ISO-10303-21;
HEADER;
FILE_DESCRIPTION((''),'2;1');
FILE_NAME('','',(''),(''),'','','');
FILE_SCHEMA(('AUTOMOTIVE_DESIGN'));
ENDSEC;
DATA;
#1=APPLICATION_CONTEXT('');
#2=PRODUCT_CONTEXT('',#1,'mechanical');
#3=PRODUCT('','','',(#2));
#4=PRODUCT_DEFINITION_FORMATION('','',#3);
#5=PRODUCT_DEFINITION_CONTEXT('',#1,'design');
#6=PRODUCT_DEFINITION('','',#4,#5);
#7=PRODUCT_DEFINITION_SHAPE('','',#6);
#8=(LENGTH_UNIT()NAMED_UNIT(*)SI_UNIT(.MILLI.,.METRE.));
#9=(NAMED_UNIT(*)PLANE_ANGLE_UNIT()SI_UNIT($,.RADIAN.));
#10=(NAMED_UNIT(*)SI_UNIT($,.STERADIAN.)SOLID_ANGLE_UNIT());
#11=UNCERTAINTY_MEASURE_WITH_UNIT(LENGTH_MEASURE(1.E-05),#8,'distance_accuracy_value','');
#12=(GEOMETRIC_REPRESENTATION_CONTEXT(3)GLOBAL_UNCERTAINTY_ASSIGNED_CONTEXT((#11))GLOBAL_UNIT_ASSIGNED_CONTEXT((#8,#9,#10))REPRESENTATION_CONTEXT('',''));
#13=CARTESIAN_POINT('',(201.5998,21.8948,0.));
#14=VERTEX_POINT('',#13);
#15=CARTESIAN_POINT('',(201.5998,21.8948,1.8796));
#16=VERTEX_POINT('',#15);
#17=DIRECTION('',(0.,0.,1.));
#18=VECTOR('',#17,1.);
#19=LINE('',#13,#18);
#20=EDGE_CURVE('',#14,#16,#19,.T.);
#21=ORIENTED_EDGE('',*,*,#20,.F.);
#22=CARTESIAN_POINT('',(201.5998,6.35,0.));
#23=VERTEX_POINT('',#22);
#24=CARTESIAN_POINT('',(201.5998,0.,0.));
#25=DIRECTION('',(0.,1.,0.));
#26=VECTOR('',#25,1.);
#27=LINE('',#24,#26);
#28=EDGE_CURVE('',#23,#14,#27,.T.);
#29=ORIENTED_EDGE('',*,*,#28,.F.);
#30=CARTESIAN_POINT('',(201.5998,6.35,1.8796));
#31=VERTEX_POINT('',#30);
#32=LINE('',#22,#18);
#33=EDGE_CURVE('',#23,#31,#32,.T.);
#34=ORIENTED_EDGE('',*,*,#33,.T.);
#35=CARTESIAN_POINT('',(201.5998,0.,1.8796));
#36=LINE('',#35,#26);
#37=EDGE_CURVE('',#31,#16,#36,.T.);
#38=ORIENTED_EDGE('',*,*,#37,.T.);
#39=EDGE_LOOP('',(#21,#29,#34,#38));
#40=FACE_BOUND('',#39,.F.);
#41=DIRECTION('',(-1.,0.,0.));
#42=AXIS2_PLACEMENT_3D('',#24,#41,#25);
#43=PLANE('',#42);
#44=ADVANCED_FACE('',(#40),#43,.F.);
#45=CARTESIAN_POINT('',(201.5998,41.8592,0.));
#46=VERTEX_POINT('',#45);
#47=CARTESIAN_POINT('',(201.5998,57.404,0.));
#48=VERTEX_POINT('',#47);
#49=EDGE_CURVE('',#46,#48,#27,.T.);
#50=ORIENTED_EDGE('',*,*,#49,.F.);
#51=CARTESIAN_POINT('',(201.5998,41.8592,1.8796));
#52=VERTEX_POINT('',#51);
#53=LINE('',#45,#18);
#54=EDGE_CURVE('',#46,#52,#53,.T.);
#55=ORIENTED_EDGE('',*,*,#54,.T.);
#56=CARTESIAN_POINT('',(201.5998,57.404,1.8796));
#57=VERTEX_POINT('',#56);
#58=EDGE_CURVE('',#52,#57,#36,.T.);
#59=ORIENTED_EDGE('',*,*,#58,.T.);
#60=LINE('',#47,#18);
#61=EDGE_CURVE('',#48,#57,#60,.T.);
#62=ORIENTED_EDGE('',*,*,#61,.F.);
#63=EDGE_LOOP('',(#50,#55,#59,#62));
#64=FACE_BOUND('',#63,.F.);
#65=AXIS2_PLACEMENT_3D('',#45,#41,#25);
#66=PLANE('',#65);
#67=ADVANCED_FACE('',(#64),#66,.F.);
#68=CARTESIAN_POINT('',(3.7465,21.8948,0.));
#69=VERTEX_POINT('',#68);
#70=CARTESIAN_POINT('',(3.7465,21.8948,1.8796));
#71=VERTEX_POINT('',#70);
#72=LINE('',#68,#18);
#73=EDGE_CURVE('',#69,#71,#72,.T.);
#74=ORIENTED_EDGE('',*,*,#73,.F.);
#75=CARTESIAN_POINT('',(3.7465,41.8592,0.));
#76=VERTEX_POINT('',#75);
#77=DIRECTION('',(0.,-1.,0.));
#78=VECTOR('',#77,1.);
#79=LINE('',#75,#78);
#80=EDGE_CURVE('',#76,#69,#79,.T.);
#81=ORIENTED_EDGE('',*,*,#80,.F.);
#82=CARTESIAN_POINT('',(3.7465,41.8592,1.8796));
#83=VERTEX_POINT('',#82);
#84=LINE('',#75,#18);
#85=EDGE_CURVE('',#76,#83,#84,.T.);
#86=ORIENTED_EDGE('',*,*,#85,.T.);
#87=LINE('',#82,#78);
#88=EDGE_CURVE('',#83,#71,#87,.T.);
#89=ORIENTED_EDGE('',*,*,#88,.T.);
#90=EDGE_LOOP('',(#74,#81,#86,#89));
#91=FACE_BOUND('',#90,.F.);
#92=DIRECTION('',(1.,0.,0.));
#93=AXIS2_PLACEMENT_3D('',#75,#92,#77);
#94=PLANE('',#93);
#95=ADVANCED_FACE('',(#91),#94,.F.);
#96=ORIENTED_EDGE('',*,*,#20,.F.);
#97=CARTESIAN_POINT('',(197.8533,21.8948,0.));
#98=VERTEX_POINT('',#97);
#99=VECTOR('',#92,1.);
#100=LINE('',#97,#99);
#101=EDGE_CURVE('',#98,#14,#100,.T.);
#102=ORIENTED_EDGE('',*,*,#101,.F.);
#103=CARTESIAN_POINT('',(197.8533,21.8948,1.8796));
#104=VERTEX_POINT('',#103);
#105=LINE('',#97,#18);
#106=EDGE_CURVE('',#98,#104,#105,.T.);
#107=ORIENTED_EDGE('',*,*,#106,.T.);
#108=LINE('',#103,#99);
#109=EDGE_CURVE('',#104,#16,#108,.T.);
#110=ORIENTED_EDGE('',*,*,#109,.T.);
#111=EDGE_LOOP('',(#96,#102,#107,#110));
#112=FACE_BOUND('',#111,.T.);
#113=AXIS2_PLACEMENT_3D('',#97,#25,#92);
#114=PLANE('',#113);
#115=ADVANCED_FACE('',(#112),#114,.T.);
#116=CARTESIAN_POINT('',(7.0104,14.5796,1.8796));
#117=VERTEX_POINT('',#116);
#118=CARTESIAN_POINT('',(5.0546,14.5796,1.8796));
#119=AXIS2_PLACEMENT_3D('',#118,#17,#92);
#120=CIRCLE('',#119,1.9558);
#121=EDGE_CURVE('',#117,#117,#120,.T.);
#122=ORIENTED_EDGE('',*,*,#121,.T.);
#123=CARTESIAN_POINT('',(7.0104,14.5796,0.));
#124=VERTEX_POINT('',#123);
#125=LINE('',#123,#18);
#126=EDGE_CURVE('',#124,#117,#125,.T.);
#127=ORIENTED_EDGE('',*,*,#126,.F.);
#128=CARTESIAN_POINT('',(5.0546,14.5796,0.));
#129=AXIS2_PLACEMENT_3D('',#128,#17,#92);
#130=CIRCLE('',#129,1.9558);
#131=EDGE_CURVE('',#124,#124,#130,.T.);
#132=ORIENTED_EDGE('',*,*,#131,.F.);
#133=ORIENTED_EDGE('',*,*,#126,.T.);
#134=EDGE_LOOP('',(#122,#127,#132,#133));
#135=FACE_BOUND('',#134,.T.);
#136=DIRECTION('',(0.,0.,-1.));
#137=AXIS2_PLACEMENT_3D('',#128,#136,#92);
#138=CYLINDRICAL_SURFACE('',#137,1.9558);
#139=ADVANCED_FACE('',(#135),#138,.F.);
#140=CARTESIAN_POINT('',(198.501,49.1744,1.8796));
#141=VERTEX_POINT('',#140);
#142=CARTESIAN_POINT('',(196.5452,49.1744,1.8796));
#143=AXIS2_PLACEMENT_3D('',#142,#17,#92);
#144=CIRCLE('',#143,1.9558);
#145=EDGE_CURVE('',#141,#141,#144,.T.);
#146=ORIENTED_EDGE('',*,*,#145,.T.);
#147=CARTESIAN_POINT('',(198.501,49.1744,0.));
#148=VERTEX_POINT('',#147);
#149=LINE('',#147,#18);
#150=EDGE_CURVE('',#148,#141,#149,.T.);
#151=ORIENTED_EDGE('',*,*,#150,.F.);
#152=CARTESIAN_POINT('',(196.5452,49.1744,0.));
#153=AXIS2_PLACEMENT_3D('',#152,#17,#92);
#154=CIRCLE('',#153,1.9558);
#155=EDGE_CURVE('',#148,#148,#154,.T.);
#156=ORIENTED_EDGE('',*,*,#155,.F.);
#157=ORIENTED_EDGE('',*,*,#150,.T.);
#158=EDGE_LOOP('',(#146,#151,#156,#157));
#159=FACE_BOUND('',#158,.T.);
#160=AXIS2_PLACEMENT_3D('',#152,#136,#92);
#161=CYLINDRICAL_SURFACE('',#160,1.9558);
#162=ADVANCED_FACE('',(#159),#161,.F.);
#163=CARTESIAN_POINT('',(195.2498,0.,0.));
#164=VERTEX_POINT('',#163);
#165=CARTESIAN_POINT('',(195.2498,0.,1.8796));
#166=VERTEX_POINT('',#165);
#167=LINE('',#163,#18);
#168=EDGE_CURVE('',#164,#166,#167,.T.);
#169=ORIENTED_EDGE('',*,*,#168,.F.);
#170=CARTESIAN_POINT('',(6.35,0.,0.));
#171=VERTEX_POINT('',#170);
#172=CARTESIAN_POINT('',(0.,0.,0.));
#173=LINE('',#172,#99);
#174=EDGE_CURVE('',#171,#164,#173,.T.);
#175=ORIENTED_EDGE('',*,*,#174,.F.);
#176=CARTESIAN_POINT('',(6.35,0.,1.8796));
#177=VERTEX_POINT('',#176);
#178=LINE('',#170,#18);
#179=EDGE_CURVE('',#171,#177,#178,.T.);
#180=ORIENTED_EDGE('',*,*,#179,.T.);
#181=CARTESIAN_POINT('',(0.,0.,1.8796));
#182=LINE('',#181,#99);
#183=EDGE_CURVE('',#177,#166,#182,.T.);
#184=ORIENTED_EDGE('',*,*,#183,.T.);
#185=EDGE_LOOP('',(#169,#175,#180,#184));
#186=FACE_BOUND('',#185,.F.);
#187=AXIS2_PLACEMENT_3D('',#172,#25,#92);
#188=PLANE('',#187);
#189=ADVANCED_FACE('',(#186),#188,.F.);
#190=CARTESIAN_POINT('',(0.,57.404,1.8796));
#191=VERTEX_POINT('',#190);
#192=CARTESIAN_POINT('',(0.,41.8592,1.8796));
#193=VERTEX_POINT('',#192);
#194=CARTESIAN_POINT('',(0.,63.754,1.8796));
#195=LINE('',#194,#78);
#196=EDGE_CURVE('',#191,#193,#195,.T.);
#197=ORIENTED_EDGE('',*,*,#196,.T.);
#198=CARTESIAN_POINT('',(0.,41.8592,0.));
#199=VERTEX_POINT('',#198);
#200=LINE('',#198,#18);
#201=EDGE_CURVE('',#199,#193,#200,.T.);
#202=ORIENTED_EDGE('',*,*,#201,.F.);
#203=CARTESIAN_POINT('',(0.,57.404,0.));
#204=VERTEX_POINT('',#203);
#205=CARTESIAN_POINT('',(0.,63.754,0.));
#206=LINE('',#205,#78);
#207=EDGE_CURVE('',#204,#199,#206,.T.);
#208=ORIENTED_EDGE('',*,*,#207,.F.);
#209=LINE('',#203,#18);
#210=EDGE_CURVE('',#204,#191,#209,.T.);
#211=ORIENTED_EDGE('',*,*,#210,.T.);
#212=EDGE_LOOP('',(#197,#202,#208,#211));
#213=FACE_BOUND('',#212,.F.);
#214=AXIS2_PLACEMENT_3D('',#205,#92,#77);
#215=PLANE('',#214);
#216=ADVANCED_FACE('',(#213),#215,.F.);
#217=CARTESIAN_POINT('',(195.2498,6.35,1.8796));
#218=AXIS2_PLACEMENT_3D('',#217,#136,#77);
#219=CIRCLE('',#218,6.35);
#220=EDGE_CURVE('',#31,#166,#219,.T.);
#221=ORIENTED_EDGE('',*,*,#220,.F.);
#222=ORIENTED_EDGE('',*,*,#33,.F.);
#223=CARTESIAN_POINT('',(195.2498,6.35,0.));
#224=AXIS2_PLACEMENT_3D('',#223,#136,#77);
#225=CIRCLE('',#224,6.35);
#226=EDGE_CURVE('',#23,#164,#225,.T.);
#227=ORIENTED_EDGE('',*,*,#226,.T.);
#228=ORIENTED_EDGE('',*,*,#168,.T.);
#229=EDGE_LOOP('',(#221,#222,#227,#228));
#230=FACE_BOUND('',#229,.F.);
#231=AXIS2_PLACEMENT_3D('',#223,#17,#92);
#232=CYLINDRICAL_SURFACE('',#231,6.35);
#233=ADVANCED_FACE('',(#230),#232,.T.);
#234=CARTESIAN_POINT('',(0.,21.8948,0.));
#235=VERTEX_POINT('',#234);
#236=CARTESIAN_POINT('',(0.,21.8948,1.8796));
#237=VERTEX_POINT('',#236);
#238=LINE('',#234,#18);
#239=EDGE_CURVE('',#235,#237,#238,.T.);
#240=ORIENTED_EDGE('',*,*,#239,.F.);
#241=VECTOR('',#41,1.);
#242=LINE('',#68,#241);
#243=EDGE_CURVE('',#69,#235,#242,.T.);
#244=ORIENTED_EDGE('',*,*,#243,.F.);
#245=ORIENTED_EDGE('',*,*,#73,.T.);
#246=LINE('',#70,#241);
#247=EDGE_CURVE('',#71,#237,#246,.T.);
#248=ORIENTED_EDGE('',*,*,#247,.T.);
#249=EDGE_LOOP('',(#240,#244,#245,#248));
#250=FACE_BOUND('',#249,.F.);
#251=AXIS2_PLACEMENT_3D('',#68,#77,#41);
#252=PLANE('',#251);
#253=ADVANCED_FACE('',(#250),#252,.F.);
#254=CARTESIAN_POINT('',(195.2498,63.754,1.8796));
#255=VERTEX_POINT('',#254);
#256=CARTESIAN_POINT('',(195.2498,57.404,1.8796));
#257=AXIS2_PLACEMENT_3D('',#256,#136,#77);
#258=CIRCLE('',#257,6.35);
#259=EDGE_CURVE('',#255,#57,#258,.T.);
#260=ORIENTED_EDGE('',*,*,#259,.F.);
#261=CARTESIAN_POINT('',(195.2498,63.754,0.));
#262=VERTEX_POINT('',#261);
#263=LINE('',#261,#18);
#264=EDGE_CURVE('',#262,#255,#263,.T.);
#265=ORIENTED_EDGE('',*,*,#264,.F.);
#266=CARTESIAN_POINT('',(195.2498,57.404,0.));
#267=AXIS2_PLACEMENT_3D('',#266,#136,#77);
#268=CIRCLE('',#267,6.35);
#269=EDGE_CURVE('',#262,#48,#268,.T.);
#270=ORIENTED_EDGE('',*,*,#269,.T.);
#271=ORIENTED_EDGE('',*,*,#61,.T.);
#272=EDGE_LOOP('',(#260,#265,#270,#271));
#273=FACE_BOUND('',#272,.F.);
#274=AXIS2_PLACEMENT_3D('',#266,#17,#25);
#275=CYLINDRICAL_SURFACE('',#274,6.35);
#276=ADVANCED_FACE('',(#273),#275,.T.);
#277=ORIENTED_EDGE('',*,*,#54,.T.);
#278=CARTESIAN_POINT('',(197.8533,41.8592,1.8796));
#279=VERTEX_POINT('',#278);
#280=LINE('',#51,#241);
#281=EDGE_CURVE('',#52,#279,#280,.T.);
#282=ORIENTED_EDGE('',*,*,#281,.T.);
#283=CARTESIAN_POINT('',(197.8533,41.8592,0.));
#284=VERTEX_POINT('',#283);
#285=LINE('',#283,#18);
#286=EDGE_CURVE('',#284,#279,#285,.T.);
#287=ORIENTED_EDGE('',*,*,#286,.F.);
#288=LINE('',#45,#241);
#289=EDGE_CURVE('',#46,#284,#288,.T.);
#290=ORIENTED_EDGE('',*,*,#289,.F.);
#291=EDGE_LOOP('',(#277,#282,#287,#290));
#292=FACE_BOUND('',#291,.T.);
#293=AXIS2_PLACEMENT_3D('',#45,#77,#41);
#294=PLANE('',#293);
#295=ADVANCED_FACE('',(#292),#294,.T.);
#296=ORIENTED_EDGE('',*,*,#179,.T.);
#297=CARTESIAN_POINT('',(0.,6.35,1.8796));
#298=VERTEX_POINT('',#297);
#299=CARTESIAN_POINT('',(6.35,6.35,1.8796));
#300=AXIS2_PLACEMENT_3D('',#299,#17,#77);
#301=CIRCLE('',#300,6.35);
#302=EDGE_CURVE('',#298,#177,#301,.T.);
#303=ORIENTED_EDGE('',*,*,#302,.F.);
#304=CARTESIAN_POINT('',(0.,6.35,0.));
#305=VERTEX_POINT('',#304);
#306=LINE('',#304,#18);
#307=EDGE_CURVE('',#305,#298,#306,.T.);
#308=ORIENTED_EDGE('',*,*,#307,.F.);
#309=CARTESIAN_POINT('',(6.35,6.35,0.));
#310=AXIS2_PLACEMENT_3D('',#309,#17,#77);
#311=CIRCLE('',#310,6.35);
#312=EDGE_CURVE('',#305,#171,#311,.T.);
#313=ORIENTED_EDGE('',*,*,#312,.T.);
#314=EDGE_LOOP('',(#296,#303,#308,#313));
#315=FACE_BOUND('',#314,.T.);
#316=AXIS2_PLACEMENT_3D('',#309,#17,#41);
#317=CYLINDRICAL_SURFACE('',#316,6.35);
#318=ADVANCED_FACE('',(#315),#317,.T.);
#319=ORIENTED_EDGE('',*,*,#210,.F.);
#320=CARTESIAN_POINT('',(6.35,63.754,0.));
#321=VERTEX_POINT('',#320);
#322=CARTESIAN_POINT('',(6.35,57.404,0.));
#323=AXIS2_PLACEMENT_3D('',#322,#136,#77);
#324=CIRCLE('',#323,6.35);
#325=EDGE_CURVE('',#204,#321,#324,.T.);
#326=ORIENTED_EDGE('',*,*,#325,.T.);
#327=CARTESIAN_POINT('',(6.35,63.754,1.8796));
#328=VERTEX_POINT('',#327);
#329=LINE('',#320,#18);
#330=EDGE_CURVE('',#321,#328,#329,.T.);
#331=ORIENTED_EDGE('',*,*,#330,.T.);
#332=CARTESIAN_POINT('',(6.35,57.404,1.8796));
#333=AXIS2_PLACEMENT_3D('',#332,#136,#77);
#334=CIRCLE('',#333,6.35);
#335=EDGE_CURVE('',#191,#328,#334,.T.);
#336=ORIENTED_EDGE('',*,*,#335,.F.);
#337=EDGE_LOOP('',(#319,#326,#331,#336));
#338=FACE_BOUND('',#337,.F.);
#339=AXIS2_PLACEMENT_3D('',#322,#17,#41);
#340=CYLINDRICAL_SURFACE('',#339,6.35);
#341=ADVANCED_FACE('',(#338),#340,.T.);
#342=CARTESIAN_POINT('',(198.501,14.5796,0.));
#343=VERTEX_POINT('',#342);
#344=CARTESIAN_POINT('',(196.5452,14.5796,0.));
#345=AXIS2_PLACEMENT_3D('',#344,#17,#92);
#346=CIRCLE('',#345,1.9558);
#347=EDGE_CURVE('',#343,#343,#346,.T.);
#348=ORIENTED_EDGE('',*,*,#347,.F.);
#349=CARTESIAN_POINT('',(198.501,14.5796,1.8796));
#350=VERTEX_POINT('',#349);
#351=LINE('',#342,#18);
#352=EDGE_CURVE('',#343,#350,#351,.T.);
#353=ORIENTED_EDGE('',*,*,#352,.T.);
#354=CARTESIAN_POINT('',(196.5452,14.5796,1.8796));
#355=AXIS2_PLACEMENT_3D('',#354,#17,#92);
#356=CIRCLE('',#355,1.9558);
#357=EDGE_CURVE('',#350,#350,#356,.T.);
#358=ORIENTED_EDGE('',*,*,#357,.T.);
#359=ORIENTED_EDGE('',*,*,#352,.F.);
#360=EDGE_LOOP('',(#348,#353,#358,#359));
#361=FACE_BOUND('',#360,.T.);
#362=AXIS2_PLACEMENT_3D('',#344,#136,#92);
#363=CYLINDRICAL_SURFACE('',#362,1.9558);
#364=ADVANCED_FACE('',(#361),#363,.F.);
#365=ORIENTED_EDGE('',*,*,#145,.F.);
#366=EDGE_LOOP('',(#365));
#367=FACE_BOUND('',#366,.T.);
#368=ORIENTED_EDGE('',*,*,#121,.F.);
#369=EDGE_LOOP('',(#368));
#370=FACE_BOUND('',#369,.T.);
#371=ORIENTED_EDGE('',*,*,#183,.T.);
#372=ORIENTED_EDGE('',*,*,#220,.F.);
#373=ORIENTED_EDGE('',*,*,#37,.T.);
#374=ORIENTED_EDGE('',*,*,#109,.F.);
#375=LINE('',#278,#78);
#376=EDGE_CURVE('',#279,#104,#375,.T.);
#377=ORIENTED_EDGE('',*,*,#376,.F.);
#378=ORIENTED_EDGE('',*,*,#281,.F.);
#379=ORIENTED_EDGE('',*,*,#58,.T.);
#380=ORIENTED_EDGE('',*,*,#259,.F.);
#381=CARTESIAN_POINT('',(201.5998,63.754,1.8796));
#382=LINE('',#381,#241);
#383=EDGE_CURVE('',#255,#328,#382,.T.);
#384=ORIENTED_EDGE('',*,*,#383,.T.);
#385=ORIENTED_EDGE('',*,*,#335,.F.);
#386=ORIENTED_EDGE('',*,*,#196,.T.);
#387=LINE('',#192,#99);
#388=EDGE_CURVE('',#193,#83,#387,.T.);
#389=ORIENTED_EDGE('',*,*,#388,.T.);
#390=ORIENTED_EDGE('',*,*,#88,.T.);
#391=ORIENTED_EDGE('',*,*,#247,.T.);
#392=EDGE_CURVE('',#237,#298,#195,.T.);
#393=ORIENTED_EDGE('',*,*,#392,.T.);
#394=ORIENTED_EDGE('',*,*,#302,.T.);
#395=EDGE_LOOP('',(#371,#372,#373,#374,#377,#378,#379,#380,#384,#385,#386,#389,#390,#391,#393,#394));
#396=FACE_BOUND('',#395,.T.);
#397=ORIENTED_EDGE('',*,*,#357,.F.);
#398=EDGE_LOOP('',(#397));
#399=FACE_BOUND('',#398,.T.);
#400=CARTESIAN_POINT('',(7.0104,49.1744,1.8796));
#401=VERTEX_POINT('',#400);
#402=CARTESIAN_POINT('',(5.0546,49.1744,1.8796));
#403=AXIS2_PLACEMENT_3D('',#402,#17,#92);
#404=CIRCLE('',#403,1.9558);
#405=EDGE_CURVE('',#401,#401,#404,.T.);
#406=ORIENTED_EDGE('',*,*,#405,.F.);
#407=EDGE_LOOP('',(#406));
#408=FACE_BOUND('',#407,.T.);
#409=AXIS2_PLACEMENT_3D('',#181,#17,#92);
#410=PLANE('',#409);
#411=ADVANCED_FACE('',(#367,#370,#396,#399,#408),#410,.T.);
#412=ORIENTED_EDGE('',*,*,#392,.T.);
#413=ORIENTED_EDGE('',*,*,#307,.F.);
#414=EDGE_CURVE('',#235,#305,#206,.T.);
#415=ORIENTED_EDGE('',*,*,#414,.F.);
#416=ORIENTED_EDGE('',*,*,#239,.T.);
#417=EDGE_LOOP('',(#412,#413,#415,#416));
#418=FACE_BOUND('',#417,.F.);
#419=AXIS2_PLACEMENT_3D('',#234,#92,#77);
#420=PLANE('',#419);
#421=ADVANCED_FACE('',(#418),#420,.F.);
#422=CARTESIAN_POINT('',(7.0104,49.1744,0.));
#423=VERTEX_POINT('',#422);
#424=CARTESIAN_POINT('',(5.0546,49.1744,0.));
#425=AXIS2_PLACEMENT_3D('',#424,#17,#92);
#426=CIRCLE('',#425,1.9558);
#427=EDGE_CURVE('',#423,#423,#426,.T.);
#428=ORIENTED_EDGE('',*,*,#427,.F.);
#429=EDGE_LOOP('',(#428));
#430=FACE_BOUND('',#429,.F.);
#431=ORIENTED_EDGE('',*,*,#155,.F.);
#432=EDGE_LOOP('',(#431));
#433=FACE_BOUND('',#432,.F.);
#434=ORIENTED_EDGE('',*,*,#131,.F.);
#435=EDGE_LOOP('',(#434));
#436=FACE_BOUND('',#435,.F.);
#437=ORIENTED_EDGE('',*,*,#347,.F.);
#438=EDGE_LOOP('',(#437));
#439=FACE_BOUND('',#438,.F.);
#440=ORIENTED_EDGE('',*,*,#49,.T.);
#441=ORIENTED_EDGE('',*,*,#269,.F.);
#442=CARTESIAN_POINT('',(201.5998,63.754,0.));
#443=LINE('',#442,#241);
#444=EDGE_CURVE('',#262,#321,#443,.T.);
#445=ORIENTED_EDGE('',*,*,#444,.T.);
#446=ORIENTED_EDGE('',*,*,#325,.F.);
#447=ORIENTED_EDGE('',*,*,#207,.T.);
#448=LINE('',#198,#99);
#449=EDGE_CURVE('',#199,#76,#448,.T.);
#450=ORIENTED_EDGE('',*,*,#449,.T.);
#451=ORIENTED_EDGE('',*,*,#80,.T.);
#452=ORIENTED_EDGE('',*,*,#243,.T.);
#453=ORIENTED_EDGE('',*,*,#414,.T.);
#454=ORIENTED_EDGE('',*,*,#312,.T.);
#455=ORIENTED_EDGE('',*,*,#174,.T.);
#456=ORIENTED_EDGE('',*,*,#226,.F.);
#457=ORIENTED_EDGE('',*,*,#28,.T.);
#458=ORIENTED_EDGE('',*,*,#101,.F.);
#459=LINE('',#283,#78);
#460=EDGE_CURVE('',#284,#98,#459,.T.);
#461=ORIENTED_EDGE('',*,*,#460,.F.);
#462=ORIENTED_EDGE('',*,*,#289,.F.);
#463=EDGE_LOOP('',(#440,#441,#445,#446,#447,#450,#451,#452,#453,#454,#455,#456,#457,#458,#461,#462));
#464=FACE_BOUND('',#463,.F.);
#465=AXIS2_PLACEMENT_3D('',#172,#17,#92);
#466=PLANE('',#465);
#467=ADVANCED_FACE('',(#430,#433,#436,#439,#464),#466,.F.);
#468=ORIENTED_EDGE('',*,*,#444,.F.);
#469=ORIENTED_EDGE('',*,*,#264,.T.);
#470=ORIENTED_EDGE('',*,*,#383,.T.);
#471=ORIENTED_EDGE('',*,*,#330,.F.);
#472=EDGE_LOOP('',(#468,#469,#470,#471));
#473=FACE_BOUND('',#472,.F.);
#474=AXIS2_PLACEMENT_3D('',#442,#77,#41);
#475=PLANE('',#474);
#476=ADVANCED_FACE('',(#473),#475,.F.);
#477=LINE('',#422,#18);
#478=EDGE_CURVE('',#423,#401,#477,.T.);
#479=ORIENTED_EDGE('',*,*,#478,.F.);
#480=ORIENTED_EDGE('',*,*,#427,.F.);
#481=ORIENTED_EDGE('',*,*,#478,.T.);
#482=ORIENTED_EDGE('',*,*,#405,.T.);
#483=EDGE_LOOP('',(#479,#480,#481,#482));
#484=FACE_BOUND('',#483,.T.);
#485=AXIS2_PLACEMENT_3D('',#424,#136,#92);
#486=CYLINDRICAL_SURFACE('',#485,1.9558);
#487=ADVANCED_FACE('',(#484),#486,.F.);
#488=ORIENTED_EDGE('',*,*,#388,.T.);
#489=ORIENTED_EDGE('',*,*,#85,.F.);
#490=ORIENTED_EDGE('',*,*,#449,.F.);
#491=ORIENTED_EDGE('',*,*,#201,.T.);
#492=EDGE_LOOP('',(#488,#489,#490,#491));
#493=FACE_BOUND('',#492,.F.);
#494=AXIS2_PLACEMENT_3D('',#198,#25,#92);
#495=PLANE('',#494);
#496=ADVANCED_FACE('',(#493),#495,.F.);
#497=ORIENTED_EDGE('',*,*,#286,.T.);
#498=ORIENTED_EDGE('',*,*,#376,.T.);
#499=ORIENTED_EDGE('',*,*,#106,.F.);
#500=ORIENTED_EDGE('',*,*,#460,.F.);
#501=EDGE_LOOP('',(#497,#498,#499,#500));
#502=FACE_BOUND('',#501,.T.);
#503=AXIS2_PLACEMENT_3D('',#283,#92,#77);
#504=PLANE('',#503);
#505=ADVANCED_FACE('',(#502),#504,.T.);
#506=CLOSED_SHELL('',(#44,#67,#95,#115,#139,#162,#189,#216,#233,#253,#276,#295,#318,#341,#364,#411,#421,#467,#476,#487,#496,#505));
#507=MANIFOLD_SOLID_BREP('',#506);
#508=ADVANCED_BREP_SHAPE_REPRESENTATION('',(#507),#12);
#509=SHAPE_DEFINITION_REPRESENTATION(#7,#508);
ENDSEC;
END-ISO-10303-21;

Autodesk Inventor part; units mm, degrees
ref_plane "YZ Plane" through (0, 0, 0) normal (1, 0, 0) x (0, 1, 0)
ref_plane "XZ Plane" through (0, 0, 0) normal (0, 1, 0) x (-1, 0, 0)
ref_plane "XY Plane" through (0, 0, 0) normal (0, 0, 1) x (1, 0, 0)
sketch "Sketch1" plane through (0, 0, 0) normal (0, 0, 1) x (1, 0, 0)
  line L0 (0, 0) -> (201.5998, 0)
  line L1 (201.5998, 0) -> (201.5998, 63.754)
  line L2 (201.5998, 63.754) -> (0, 63.754)
  line L3 (0, 63.754) -> (0, 0)
  line L4 (0, 41.8592) -> (3.7465, 41.8592)
  line L5 (3.7465, 41.8592) -> (3.7465, 21.8948)
  line L6 (3.7465, 21.8948) -> (0, 21.8948)
  line L7 (0, 21.8948) -> (0, 41.8592)
  line L8 (201.5998, 41.8592) -> (197.8533, 41.8592)
  line L9 (197.8533, 41.8592) -> (197.8533, 21.8948)
  line L10 (197.8533, 21.8948) -> (201.5998, 21.8948)
  line L11 (201.5998, 21.8948) -> (201.5998, 41.8592)
  circle A0 centre (5.0546, 49.1744) radius 1.9558
  circle A1 centre (5.0546, 14.5796) radius 1.9558
  circle A2 centre (196.5452, 14.5796) radius 1.9558
  circle A3 centre (196.5452, 49.1744) radius 1.9558
  dimension "d0" = 201.5998
  dimension "d1" = 63.754
  dimension "d2" = 3.7465
  dimension "d3" = 19.9644
  dimension "d4" = 21.8948
  dimension "d6" = 3.7465
  dimension "d8" = 3.9116
  dimension "d9" = 12.6238
  dimension "d10" = 3.0988
  dimension "d11" = 3.9116
  dimension "d12" = 12.6238
  dimension "d13" = 3.0988
  dimension "d14" = 3.9116
  dimension "d15" = 3.0988
extrude "Extrusion1" add sketch "Sketch1" along normal blind 1.8796 contours L3 L6 L5 L4 L2 L1 L8 L9 L10 L0
fillet "Fillet1" radius 6.35 4 edges at (0, 63.754, 0.9398) (201.5998, 63.754, 0.9398) (201.5998, 0, 0.9398) (0, 0, 0.9398)
properties part number "Plain Front Pannel"
